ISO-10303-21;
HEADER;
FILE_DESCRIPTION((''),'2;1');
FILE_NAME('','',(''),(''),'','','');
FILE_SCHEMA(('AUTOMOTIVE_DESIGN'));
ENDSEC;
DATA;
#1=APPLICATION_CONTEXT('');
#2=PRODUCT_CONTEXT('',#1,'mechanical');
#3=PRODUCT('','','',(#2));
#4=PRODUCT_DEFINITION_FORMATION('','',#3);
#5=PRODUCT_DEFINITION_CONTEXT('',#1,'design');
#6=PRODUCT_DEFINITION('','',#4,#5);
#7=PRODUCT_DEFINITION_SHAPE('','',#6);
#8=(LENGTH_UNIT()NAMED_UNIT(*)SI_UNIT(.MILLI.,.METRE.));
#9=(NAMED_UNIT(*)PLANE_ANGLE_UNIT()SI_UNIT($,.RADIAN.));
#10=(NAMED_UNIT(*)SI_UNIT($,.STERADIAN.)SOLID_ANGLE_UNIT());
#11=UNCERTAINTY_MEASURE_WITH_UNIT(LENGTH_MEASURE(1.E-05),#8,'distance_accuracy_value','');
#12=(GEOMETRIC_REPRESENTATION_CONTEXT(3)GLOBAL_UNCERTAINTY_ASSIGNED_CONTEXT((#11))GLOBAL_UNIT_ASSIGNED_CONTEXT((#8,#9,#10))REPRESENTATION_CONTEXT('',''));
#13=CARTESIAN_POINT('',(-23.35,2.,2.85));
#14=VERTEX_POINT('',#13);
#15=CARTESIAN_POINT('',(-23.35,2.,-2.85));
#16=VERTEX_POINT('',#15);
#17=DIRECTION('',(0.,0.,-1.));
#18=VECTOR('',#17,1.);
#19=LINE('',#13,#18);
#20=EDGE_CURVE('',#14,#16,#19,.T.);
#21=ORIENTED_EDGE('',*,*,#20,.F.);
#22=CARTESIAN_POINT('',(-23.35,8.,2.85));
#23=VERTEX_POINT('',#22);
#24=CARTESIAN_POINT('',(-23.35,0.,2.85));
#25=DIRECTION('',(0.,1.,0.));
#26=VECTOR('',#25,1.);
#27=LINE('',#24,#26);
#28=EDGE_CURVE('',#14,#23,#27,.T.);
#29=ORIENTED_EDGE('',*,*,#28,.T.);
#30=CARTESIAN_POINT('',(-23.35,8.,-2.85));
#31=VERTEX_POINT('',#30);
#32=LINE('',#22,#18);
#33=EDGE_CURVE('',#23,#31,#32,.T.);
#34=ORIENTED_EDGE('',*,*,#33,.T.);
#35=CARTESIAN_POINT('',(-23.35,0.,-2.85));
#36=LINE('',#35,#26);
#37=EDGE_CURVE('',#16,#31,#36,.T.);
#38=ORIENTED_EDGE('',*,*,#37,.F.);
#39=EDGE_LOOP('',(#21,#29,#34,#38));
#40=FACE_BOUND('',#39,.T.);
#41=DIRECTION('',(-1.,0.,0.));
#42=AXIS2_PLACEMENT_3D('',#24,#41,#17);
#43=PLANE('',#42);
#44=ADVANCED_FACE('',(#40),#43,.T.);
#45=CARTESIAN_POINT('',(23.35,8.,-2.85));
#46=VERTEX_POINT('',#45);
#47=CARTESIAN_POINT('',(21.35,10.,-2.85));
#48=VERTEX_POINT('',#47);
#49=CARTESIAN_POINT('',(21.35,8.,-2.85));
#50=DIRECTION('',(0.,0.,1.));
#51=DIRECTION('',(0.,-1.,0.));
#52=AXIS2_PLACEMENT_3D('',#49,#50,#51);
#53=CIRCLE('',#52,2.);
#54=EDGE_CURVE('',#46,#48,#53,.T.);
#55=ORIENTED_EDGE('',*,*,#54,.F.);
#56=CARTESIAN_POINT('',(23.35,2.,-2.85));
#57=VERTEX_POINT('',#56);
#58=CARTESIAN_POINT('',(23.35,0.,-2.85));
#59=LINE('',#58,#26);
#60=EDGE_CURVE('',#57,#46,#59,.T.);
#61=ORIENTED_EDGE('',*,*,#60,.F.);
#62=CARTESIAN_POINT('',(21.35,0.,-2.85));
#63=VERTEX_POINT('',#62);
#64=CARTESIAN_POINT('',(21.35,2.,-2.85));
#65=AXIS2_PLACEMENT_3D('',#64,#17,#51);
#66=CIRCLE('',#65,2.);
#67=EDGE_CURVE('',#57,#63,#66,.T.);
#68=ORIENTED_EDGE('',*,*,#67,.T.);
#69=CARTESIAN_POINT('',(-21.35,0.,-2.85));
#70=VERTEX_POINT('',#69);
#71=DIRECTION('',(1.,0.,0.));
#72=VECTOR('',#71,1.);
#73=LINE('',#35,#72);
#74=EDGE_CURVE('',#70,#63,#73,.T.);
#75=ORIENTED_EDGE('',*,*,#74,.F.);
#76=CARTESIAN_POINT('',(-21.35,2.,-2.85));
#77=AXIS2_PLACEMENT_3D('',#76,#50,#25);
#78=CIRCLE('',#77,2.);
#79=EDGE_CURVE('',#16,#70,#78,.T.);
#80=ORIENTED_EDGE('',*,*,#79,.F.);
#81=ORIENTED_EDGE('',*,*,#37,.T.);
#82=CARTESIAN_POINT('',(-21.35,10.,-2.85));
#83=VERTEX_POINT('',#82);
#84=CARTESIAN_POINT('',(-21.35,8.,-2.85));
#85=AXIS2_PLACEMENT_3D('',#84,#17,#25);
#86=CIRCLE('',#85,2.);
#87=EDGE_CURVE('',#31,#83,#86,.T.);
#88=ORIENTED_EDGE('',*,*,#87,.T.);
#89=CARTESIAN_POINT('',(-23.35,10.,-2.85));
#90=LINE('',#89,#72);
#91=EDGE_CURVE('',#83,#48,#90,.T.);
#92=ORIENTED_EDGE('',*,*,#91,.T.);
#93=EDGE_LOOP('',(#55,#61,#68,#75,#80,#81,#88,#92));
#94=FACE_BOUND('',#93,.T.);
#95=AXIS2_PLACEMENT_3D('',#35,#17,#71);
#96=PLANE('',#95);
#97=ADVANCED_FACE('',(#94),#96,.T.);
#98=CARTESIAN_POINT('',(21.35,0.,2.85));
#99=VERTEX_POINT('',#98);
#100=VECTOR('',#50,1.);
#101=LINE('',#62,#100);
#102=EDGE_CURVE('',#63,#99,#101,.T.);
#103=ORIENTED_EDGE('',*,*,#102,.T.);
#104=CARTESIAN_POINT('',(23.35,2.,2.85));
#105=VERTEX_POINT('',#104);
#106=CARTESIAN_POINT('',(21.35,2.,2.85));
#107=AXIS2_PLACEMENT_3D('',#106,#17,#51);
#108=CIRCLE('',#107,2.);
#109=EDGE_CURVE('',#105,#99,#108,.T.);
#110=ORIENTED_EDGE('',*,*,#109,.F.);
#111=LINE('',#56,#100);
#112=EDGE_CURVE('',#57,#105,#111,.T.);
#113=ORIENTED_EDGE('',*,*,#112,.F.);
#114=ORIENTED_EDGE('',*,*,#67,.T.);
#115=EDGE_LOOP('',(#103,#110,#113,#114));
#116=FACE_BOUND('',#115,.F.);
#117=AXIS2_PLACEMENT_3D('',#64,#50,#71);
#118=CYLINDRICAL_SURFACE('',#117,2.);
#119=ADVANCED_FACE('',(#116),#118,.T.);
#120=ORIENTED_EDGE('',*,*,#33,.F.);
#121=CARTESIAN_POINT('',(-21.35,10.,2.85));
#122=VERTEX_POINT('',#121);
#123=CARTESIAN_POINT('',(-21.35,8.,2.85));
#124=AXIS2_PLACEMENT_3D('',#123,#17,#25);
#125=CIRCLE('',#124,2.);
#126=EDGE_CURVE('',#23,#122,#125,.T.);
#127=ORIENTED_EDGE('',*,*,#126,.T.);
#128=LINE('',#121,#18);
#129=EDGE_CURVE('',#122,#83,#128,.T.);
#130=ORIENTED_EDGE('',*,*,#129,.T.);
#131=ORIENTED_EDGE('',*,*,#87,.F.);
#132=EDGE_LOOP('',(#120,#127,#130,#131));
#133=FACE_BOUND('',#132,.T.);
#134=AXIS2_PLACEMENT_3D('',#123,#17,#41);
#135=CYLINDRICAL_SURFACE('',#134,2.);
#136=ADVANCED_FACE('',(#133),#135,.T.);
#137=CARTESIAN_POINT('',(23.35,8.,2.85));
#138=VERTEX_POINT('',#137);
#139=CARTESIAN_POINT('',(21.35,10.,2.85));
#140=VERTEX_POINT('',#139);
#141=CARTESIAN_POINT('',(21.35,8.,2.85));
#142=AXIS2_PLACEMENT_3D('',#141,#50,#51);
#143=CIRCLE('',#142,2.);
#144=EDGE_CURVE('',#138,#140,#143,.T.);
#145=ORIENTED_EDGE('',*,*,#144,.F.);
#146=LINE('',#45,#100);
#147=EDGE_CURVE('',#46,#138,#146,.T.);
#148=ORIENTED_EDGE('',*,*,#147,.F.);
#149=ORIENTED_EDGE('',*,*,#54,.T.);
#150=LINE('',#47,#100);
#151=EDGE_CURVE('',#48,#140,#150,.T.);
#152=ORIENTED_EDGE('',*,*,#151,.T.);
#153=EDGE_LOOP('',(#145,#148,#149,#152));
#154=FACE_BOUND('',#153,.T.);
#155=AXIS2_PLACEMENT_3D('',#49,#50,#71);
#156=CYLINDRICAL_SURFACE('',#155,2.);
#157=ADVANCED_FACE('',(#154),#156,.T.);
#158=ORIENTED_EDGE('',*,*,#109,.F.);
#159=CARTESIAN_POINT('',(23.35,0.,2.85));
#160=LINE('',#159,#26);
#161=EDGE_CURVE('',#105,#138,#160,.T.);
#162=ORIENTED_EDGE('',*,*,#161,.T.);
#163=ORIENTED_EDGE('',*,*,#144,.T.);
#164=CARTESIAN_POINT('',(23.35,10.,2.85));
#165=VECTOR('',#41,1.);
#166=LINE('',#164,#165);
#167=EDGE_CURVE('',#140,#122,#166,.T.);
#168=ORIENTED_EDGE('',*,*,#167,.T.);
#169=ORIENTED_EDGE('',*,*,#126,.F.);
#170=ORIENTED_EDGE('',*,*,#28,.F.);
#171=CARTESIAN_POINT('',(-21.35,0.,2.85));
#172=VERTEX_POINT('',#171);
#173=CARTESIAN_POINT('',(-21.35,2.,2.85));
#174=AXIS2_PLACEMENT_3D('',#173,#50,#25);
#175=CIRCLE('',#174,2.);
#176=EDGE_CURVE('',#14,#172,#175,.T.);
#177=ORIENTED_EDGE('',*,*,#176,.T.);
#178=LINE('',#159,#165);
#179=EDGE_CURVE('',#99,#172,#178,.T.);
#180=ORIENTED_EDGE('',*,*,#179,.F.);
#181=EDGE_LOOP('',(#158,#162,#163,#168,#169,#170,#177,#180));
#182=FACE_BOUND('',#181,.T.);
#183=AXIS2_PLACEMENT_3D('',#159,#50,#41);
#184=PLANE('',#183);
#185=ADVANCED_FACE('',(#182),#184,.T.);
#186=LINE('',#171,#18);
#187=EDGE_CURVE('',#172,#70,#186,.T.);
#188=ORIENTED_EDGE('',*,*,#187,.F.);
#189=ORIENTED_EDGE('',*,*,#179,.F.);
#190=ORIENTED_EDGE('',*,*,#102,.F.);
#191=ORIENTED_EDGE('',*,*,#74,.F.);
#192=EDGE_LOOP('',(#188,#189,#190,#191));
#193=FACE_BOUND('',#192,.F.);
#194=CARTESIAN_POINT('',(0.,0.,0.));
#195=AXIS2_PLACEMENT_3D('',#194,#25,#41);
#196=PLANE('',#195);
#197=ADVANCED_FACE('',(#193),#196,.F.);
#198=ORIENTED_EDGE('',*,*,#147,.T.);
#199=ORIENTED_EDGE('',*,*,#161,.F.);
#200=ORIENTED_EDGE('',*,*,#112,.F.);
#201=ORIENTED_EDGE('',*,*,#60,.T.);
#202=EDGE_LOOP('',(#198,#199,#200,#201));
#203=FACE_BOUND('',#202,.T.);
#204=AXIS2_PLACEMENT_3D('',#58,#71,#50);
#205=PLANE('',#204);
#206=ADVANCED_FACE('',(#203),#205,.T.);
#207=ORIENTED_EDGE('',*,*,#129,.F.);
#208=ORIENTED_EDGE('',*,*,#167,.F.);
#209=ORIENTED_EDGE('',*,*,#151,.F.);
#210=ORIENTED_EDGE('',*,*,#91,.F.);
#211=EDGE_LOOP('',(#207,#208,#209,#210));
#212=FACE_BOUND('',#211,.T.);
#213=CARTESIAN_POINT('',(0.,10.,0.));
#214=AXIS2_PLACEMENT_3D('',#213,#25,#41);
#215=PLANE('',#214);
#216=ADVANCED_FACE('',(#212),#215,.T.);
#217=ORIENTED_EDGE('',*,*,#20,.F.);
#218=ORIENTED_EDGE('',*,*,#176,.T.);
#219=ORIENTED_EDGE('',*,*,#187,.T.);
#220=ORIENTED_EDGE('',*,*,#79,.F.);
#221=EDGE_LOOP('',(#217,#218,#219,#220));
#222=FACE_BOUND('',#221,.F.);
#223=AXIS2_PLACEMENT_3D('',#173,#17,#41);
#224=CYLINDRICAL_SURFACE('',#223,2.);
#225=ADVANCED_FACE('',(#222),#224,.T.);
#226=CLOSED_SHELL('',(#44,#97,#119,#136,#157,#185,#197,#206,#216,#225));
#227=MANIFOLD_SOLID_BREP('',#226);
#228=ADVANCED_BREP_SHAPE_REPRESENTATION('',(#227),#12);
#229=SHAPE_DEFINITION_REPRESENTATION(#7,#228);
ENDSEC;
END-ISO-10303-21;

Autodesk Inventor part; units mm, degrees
ref_plane "YZ Plane" through (0, 0, 0) normal (1, 0, 0) x (0, 1, 0)
ref_plane "XZ Plane" through (0, 0, 0) normal (0, 1, 0) x (-1, 0, 0)
ref_plane "XY Plane" through (0, 0, 0) normal (0, 0, 1) x (1, 0, 0)
sketch "Boceto1" plane through (0, 0, 0) normal (0, 1, 0) x (-1, 0, 0)
  line L0 (-23.35, 2.85) -> (23.35, 2.85)
  line L1 (23.35, 2.85) -> (23.35, -2.85)
  line L2 (23.35, -2.85) -> (-23.35, -2.85)
  line L3 (-23.35, -2.85) -> (-23.35, 2.85)
  line L4 (-23.35, 2.85) -> (23.35, -2.85) construction
  line L5 (23.35, 2.85) -> (-23.35, -2.85) construction
  point P0 (0, 0)
  dimension "d0" = 5.7
  dimension "d1" = 46.7
extrude "Extrusión1" add sketch "Boceto1" along normal blind 10
fillet "Empalme1" radius 2 4 edges at (-23.35, 0, 0) (-23.35, 10, 0) (23.35, 0, 0) (23.35, 10, 0)
properties part number "tococo"
